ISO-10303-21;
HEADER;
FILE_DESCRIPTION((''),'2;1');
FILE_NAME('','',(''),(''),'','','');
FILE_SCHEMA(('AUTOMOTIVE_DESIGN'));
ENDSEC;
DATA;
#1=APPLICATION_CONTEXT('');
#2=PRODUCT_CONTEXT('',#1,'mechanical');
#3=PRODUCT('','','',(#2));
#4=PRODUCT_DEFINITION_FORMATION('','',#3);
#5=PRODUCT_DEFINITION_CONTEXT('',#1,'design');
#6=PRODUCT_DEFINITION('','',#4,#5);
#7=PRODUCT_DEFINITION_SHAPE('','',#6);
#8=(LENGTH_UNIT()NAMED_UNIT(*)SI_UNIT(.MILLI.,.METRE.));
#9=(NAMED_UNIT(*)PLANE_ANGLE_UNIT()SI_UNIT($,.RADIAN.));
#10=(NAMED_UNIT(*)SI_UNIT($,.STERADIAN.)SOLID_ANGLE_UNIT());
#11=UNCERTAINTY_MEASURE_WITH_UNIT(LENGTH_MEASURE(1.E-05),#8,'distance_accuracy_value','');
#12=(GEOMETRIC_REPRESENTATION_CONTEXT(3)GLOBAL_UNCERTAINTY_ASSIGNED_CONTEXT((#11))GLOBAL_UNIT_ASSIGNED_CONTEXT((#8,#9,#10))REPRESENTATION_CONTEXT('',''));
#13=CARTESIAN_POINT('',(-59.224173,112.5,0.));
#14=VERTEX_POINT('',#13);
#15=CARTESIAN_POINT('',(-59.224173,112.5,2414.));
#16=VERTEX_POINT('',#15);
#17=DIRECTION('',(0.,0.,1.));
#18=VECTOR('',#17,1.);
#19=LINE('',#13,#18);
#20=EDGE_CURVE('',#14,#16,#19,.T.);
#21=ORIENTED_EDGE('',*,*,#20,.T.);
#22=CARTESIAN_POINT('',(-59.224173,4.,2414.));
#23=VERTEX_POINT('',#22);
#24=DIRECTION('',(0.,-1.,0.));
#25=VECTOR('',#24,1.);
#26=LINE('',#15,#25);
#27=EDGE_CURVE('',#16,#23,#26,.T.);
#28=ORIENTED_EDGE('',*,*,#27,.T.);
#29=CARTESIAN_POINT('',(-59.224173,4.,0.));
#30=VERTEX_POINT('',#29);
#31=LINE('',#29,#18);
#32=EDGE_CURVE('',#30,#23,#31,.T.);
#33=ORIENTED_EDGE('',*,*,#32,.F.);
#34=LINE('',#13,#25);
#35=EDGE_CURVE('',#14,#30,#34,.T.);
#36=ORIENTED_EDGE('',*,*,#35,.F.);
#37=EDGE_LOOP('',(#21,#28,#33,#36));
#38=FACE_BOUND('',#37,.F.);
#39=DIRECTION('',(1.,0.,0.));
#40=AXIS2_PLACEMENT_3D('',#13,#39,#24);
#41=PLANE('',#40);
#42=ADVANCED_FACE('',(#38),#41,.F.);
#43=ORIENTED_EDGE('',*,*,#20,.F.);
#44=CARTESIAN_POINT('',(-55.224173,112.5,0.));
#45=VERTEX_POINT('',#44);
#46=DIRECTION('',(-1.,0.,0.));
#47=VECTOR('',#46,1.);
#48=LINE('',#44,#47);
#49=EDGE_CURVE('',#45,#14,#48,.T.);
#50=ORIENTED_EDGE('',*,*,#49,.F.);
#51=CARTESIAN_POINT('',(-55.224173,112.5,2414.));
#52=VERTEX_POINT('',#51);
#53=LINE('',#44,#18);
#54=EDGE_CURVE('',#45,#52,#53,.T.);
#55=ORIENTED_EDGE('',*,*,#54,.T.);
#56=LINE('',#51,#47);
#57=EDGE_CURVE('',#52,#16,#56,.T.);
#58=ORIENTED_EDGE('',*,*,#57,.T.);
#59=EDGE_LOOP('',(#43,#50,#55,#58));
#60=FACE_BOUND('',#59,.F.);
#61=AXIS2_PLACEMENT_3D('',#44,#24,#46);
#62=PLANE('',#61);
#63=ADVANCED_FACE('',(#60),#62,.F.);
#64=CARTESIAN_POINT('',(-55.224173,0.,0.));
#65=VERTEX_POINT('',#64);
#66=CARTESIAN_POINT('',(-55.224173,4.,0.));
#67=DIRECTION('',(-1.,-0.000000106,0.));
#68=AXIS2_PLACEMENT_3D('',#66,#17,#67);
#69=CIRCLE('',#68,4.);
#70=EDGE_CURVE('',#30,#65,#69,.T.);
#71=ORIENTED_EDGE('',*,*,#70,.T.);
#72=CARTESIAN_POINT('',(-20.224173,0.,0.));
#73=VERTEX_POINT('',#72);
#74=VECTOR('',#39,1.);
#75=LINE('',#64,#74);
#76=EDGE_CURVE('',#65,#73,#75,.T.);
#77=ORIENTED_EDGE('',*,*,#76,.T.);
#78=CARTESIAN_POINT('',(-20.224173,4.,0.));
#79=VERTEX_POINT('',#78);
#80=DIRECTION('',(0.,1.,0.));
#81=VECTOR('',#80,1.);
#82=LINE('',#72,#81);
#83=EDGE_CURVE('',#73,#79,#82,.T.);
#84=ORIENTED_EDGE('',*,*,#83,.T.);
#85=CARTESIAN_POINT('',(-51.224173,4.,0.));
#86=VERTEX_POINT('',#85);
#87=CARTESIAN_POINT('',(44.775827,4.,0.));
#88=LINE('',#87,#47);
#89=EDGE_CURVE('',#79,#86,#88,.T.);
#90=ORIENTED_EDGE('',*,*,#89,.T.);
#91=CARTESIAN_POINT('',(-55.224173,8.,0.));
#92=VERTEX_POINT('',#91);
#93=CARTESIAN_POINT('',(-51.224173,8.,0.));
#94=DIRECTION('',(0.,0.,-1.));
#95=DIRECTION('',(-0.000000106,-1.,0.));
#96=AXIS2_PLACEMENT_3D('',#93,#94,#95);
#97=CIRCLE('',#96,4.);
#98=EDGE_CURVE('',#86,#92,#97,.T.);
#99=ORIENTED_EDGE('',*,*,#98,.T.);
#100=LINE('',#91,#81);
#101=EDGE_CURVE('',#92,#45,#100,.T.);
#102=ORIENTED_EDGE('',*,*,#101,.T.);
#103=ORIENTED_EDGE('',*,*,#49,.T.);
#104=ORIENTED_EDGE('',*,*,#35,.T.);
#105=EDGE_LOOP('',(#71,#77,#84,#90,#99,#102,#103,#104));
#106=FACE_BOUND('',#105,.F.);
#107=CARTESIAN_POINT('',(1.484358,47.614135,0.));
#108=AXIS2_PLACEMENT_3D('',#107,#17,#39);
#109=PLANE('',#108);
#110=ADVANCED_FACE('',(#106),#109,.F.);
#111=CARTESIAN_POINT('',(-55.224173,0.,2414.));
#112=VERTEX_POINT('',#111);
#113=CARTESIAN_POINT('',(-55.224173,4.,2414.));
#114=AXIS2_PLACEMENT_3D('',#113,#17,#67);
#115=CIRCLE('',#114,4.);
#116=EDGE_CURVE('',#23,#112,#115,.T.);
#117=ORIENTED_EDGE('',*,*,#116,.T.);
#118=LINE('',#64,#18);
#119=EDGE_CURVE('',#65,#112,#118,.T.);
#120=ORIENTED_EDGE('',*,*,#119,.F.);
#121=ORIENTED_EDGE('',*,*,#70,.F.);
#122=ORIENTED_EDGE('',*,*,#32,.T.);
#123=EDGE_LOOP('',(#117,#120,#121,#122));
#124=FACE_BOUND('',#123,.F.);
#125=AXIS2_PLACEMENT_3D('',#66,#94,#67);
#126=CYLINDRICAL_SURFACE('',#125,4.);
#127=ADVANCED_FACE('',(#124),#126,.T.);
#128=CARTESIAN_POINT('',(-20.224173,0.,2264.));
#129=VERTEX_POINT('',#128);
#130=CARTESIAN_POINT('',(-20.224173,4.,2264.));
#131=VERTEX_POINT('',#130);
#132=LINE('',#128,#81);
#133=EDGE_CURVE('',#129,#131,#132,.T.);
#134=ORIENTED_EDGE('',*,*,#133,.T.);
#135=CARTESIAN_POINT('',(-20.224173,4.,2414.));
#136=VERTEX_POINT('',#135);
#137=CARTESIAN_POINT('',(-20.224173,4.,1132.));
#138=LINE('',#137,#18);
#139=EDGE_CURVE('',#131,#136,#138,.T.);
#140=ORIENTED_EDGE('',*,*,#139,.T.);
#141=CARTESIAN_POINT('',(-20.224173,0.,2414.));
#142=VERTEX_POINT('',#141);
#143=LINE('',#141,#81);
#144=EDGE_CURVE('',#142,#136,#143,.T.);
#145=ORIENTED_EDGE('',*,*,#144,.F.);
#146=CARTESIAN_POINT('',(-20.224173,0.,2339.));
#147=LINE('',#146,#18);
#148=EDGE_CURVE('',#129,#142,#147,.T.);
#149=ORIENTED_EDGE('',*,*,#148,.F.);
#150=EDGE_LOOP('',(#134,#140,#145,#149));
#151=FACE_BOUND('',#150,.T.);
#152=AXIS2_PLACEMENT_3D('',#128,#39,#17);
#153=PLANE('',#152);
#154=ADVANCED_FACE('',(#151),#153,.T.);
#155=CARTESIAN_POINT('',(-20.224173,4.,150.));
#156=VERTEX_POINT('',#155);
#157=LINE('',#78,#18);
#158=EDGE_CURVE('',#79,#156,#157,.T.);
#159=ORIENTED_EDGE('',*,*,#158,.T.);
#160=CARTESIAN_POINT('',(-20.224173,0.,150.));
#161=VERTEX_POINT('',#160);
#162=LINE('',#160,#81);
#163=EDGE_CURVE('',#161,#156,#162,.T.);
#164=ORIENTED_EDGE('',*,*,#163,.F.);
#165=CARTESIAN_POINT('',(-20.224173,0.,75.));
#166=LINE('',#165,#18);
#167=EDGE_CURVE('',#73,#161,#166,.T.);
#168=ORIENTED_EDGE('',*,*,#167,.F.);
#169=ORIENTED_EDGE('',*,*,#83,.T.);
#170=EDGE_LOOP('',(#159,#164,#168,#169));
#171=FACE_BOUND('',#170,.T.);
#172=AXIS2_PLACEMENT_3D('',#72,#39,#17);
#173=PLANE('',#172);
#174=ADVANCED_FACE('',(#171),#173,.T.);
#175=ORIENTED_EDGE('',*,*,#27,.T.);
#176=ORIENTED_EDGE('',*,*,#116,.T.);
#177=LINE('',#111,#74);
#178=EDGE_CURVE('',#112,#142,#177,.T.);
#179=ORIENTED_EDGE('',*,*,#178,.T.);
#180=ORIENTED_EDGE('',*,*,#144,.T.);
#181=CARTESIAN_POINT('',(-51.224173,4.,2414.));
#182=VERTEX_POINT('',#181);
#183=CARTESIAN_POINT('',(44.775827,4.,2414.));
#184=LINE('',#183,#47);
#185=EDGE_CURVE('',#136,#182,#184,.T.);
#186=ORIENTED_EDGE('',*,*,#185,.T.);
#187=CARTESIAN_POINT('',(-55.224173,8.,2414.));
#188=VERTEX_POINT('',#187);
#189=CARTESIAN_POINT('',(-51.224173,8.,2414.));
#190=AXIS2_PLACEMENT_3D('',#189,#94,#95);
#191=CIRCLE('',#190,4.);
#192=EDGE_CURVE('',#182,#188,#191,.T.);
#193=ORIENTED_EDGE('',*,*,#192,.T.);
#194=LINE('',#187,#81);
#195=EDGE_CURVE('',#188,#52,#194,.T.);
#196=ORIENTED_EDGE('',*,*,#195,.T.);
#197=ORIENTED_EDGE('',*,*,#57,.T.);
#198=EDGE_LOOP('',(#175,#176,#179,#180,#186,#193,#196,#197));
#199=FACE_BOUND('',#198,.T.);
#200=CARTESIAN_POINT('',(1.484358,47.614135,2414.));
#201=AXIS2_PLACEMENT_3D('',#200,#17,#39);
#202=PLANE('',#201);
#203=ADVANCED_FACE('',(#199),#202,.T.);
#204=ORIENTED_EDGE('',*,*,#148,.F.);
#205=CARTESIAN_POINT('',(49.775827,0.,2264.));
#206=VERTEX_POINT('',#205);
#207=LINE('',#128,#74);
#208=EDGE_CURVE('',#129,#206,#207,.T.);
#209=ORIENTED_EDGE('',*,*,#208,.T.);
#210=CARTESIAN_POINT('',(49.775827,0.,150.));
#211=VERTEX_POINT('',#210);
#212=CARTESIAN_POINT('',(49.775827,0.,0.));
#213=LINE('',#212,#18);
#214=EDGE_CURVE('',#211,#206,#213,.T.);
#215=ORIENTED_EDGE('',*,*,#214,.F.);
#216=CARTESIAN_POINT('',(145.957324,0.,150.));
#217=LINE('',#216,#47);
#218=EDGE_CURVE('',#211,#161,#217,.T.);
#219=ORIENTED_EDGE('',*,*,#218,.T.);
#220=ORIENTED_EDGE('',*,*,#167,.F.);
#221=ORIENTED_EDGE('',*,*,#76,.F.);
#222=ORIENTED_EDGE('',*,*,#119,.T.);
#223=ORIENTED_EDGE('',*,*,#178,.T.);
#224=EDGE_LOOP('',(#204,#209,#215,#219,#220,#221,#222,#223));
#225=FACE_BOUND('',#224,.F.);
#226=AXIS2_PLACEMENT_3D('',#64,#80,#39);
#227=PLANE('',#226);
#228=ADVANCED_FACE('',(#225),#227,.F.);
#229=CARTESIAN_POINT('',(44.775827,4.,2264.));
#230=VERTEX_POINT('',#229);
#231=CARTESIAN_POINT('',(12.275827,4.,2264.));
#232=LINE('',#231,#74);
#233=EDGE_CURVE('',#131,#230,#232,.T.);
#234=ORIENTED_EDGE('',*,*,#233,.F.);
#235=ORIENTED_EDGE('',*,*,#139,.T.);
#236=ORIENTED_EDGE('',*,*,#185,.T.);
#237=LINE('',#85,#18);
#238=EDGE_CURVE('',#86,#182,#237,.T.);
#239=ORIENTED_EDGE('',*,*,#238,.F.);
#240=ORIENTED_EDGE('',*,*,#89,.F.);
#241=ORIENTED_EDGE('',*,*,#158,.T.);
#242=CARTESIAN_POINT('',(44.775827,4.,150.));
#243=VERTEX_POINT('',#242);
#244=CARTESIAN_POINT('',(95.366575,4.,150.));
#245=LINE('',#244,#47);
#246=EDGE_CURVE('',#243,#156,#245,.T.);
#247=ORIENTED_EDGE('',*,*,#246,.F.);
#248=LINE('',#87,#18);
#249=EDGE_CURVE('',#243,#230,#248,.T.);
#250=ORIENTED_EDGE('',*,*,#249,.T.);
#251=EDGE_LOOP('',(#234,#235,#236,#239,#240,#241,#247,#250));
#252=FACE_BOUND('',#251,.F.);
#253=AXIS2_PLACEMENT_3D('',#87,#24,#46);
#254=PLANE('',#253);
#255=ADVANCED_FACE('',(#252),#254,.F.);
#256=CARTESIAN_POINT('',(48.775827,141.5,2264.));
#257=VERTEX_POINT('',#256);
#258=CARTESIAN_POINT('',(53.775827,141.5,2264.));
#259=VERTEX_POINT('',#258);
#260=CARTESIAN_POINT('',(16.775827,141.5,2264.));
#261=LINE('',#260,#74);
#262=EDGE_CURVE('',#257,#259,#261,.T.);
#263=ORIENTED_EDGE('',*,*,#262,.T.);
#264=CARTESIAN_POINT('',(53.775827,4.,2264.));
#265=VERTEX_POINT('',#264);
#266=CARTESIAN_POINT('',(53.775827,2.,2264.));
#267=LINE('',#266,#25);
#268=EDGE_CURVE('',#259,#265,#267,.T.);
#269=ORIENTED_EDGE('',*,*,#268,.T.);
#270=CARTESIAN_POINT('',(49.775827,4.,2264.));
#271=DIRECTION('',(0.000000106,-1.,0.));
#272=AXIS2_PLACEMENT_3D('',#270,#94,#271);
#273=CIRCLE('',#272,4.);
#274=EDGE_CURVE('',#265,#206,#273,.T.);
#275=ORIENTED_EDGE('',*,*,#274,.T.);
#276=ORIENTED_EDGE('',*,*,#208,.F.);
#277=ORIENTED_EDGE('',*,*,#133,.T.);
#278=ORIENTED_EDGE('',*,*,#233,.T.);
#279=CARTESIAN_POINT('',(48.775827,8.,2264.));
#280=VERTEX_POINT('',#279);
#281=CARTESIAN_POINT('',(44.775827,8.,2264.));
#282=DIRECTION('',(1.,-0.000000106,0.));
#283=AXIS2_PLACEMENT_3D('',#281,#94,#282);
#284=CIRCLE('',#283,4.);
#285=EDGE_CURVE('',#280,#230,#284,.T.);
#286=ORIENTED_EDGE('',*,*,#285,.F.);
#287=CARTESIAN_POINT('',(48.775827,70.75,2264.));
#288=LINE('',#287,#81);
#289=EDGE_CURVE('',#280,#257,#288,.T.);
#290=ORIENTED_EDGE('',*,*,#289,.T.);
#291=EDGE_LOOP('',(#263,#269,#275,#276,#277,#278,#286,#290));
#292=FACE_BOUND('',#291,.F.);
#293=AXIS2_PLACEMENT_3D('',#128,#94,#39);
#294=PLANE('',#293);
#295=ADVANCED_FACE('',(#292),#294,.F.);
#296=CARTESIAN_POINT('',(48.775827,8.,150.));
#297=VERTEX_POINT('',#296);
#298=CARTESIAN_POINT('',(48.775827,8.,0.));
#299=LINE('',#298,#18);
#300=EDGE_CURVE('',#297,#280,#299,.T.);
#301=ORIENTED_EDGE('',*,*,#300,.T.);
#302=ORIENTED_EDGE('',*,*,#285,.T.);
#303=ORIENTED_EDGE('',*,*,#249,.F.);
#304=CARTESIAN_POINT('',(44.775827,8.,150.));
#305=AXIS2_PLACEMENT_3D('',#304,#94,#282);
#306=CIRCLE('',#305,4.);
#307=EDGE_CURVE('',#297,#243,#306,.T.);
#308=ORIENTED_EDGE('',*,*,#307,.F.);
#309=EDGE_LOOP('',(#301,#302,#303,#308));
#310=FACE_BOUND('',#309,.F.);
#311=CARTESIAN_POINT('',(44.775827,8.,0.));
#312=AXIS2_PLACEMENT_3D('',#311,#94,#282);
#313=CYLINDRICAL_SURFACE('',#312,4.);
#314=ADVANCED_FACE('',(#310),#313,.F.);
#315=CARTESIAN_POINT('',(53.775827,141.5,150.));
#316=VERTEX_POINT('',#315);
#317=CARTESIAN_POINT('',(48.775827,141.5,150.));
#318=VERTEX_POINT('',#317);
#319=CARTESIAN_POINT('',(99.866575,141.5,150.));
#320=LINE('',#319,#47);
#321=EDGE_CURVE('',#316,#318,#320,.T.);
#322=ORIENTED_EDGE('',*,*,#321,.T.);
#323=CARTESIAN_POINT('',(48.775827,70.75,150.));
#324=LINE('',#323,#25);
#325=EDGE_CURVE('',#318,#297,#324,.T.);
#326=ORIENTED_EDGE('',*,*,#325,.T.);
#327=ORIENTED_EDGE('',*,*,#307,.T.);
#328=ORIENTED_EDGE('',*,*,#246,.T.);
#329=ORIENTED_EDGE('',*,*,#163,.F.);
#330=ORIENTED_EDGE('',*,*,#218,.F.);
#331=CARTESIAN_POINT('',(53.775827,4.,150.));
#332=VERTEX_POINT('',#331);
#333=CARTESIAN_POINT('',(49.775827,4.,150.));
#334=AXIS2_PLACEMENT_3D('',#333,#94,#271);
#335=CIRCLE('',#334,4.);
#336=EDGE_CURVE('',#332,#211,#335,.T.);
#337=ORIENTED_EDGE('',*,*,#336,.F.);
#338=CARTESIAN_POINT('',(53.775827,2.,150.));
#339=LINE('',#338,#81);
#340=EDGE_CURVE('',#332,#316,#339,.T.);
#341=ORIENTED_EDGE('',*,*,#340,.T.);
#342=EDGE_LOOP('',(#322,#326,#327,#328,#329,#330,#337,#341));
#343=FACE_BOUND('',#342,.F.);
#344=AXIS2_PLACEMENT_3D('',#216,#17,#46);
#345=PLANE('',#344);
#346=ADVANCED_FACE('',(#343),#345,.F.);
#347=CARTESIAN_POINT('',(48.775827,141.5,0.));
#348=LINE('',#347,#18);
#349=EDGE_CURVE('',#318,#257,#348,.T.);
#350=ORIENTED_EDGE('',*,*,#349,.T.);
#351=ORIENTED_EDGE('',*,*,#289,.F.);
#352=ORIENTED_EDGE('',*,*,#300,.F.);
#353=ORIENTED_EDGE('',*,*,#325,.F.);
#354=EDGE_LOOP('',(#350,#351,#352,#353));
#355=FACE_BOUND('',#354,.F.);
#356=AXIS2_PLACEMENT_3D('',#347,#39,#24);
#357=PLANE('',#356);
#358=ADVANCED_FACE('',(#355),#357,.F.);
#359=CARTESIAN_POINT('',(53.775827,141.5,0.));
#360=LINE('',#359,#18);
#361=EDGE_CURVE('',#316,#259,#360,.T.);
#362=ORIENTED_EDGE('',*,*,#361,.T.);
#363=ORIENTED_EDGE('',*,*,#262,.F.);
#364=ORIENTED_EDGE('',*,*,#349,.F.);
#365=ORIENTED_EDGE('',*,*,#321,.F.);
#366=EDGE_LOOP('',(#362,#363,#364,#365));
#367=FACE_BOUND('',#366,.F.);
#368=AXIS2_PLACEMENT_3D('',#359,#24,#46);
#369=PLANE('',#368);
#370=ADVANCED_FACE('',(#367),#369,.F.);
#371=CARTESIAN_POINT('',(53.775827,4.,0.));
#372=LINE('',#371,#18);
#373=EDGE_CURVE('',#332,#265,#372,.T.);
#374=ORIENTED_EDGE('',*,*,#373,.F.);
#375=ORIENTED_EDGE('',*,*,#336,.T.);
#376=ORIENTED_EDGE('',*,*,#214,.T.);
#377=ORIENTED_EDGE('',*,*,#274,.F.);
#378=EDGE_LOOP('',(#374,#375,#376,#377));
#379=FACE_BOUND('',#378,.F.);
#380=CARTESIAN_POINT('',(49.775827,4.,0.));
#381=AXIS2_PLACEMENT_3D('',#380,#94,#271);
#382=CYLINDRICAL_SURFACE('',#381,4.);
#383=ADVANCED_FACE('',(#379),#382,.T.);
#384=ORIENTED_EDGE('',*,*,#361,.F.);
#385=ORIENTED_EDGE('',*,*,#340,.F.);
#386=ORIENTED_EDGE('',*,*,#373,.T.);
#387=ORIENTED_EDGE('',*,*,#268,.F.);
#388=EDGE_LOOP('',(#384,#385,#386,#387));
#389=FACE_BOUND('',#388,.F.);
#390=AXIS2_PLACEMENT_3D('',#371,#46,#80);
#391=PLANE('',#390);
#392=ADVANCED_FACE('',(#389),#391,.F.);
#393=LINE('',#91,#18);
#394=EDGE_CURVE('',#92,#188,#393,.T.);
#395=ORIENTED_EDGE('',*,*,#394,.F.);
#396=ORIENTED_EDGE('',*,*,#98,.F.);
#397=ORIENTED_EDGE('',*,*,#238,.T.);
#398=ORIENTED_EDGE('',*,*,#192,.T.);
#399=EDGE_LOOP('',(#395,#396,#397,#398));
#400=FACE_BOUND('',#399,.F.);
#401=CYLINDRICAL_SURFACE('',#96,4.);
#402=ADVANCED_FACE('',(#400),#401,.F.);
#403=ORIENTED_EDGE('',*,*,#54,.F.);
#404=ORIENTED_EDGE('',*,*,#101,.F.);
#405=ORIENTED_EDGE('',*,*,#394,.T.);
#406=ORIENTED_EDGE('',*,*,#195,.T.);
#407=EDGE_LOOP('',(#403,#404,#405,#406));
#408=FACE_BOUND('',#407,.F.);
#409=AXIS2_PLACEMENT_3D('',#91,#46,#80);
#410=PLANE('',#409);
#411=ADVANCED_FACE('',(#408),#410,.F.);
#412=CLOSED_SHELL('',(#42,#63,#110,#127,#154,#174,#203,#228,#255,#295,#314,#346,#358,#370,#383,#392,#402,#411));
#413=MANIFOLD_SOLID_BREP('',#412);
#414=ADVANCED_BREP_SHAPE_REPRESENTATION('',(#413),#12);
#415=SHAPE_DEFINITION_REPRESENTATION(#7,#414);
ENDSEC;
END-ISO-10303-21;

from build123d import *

# Parameters (mm, degrees)
F1_DEPTH = 2414
F2_W     = 92.181497
F2_H     = 150
F2_W_2   = 70
F2_W_3   = 4
F3_DEPTH = 141.501


with BuildPart() as f1:
    # F0 (on Top) → F1 (new body)
    with BuildSketch(Plane.XY):
        with BuildLine():
            Line((-55.224173, 112.5), (-59.224173, 112.5))
            Line((-59.224173, 112.5), (-59.224173, 4))
            ThreePointArc((-59.224173, 4), (-58.0526, 1.171573), (-55.224173, 0))
            Line((-55.224173, 0), (49.775827, 0))
            ThreePointArc((49.775827, 0), (52.604254, 1.171573), (53.775827, 4))
            Line((53.775827, 4), (53.775827, 141.5))
            Line((53.775827, 141.5), (48.775827, 141.5))
            Line((48.775827, 141.5), (48.775827, 8))
            ThreePointArc((48.775827, 8), (47.604254, 5.171573), (44.775827, 4))
            Line((44.775827, 4), (-51.224173, 4))
            ThreePointArc((-51.224173, 4), (-54.0526, 5.171573), (-55.224173, 8))
            Line((-55.224173, 8), (-55.224173, 112.5))
        make_face()
    extrude(amount=F1_DEPTH)

    # F2 (on face) → F3 (cut, through all)
    with BuildSketch(Plane.XZ):
        with Locations((99.866575, 2339)):
            Rectangle(F2_W, F2_H)
        with Locations((14.775827, 2339)):
            Rectangle(F2_W_2, F2_H)
        with Locations((51.775827, 2339)):
            Rectangle(F2_W_3, F2_H)
        with Locations((51.775827, 75)):
            Rectangle(F2_W_3, F2_H)
        with Locations((99.866575, 75)):
            Rectangle(F2_W, F2_H)
        with Locations((14.775827, 75)):
            Rectangle(F2_W_2, F2_H)
    extrude(amount=-F3_DEPTH, mode=Mode.SUBTRACT)


solid = f1.part
